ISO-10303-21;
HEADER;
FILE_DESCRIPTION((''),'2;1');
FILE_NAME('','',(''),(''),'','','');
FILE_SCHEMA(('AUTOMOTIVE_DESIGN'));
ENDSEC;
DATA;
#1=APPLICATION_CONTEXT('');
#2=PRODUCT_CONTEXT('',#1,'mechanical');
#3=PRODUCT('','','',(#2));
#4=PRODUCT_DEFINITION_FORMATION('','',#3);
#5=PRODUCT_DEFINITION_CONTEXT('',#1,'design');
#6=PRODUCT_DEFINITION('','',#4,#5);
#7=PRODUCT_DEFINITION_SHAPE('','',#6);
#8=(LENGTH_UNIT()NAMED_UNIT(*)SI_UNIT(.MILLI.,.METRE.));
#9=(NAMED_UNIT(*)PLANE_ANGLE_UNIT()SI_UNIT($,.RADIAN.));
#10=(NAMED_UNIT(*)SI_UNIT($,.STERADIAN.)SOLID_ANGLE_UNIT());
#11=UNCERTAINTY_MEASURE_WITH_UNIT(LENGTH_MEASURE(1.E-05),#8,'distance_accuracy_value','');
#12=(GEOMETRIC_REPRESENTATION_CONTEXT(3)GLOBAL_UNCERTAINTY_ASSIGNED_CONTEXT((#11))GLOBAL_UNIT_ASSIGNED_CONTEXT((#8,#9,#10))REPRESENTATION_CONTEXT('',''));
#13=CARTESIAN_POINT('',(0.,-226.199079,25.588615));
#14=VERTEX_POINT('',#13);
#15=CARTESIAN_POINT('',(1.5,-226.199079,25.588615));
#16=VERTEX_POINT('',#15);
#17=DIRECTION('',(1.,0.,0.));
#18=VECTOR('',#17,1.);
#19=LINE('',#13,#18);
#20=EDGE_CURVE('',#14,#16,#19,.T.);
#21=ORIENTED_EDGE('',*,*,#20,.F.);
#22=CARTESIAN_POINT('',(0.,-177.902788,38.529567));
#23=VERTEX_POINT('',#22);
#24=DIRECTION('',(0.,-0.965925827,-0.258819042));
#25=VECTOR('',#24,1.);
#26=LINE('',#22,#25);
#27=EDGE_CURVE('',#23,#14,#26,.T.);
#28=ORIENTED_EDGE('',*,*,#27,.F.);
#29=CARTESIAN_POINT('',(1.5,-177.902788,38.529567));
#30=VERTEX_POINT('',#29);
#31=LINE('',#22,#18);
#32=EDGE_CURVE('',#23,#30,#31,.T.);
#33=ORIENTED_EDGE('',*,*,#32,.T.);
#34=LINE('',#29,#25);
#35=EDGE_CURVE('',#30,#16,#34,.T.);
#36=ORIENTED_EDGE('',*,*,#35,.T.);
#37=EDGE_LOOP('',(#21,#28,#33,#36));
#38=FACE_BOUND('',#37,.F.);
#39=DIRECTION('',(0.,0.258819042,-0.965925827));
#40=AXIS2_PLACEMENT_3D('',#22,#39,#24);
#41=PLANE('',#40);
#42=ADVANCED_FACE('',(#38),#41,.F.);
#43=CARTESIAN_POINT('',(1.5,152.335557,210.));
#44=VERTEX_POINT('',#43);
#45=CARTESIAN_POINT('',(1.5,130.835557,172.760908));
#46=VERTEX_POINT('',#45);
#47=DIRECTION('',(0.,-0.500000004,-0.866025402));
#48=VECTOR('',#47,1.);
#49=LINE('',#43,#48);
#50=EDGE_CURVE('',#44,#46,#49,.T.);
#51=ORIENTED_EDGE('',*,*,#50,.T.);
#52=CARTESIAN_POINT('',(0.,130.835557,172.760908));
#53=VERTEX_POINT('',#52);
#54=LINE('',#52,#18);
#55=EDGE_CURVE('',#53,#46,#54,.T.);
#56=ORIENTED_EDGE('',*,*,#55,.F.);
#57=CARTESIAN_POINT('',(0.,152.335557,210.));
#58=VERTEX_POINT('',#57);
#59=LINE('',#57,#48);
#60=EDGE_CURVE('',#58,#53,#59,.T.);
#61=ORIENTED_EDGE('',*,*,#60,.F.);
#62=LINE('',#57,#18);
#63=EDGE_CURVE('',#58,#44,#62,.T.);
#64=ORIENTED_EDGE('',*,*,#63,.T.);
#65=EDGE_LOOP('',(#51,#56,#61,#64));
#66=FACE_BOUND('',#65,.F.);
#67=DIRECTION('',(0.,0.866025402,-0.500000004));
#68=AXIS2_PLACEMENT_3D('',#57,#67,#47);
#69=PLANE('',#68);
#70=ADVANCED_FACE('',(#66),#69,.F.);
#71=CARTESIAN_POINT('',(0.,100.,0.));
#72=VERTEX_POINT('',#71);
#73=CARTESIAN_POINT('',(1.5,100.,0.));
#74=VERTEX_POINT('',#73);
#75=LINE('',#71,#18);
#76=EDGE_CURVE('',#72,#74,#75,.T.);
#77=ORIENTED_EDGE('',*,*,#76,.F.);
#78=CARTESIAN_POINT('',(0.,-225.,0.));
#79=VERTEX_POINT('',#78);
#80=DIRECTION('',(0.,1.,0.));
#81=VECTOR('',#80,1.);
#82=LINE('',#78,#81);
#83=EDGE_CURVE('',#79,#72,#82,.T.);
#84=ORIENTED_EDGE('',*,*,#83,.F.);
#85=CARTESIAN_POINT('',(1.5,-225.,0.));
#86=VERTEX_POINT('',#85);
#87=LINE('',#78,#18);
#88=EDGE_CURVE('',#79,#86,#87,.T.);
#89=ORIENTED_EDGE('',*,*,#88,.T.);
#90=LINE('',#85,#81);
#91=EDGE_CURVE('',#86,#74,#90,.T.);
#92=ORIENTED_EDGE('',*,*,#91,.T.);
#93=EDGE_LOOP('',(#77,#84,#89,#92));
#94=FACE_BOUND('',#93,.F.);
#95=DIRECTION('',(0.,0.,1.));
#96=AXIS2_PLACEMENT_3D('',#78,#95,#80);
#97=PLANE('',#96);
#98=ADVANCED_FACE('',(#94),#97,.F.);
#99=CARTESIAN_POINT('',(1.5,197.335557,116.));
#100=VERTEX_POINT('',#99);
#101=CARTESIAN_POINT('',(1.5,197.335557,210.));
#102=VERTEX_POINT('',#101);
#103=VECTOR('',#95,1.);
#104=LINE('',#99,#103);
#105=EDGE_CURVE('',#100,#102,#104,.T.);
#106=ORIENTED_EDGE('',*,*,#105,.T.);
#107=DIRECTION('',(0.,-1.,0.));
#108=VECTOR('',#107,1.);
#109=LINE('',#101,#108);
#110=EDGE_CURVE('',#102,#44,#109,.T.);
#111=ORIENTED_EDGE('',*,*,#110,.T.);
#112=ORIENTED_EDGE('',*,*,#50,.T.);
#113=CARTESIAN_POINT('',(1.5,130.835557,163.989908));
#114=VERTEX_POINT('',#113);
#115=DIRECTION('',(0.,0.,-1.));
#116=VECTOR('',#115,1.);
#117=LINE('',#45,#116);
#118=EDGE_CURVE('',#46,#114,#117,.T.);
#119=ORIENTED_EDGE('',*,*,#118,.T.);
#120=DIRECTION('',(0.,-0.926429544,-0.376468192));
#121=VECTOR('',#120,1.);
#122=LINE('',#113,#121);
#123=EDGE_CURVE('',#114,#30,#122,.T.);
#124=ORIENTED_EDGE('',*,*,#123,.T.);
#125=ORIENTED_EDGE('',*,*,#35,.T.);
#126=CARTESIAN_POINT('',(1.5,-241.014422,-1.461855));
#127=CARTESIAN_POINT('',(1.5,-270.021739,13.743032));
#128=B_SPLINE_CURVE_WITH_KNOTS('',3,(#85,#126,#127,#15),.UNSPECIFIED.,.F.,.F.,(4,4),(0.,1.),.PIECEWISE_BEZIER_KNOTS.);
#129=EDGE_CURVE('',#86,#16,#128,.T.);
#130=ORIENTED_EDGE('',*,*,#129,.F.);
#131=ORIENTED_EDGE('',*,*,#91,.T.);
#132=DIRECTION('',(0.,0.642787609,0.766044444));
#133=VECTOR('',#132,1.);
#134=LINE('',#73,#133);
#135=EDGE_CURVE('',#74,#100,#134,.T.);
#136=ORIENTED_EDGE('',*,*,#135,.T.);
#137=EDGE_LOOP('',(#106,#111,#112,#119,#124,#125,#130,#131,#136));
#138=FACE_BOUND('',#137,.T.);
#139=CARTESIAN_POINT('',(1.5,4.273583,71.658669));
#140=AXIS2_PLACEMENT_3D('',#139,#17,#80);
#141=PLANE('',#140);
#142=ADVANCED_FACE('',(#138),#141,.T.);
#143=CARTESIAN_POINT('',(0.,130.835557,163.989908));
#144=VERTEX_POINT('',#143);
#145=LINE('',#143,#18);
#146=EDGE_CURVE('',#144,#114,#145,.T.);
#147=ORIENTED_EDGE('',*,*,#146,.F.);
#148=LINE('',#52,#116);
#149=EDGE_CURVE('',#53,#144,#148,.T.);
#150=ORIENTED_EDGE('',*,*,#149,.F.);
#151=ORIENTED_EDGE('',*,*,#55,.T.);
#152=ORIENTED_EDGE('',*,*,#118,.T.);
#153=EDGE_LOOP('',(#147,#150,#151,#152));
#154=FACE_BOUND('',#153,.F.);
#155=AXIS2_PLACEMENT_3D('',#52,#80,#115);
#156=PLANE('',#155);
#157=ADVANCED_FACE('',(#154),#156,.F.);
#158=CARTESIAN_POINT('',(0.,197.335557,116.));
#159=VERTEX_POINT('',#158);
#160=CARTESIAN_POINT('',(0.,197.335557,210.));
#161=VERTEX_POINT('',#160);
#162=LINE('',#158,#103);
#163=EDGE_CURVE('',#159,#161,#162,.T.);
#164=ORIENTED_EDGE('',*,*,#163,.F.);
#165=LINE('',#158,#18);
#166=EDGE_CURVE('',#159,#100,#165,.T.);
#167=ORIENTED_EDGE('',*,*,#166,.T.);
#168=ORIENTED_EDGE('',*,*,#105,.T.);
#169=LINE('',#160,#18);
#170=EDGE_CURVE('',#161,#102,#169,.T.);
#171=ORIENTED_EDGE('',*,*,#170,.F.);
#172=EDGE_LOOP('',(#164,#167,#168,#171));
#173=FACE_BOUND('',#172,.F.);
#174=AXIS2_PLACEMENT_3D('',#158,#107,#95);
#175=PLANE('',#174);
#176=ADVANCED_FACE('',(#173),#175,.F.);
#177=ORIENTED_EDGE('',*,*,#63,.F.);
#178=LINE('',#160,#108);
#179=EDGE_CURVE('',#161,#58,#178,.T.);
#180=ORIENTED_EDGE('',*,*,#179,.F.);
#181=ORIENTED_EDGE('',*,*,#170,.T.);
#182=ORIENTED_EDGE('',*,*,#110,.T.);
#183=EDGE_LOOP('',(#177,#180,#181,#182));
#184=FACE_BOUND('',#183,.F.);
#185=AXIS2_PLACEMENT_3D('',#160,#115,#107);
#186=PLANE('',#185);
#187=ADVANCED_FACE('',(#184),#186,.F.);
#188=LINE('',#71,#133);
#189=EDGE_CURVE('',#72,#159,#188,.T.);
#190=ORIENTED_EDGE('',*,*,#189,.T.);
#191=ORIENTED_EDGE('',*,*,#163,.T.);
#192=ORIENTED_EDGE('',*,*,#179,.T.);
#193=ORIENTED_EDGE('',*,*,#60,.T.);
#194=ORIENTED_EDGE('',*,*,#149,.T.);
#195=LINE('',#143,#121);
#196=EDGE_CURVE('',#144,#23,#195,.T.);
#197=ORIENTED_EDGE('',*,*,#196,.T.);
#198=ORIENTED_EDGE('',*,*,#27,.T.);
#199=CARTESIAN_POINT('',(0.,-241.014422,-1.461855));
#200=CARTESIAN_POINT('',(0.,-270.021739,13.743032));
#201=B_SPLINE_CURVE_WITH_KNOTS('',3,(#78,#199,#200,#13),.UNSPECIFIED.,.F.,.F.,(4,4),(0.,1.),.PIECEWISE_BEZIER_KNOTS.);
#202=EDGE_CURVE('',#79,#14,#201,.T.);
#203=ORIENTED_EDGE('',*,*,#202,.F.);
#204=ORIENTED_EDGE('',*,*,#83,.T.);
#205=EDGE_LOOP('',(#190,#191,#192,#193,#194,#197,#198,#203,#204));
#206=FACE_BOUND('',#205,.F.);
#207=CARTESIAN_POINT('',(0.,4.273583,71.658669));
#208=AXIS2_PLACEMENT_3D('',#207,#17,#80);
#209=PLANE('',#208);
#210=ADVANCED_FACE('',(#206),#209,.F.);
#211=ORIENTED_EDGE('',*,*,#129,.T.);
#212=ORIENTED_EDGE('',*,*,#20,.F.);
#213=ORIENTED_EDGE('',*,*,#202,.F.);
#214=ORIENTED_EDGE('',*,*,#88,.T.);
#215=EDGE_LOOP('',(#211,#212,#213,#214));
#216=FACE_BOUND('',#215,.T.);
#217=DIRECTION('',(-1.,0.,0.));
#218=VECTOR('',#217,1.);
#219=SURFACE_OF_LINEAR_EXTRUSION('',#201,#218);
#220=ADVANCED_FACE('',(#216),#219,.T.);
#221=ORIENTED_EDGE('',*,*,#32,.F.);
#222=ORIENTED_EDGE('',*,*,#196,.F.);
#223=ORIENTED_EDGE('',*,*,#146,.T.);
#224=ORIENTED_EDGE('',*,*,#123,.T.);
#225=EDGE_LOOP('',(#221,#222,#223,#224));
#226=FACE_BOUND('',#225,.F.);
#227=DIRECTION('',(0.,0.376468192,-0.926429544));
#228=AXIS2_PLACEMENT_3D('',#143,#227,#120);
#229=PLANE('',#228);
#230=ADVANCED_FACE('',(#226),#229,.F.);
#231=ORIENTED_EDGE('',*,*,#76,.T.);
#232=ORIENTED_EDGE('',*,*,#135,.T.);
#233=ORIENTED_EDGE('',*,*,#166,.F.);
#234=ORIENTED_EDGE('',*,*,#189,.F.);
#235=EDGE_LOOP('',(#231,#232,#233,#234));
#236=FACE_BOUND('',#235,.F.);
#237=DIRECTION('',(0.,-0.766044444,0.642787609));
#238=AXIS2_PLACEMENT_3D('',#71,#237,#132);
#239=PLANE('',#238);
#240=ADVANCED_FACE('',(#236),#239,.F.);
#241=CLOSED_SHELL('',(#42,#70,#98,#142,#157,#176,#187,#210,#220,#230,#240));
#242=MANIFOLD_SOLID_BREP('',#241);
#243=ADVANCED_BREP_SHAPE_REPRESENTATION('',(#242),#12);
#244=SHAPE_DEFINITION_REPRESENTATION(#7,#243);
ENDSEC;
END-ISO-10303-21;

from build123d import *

# Parameters (mm, degrees)
PAD_DEPTH = 1.5


with BuildPart() as part:
    # CopySketch003 → Pad (new body)
    with BuildSketch(Plane.YZ):
        with BuildLine():
            Line((130.835557, 163.989908), (-177.902788, 38.529567))
            Line((-177.902788, 38.529567), (-226.199079, 25.588615))
            add(Edge.make_bspline(
                [(-225, 0), (-241.014422, -1.461855), (-270.021739, 13.743032), (-226.199079, 25.588615)],
                knots=[0, 0, 0, 0, 1, 1, 1, 1], degree=3))
            Line((-225, 0), (100, 0))
            Line((100, 0), (197.335557, 116))
            Line((197.335557, 116), (197.335557, 210))
            Line((197.335557, 210), (152.335557, 210))
            Line((152.335557, 210), (130.835557, 172.760908))
            Line((130.835557, 172.760908), (130.835557, 163.989908))
        make_face()
    extrude(amount=PAD_DEPTH)


solid = part.part
